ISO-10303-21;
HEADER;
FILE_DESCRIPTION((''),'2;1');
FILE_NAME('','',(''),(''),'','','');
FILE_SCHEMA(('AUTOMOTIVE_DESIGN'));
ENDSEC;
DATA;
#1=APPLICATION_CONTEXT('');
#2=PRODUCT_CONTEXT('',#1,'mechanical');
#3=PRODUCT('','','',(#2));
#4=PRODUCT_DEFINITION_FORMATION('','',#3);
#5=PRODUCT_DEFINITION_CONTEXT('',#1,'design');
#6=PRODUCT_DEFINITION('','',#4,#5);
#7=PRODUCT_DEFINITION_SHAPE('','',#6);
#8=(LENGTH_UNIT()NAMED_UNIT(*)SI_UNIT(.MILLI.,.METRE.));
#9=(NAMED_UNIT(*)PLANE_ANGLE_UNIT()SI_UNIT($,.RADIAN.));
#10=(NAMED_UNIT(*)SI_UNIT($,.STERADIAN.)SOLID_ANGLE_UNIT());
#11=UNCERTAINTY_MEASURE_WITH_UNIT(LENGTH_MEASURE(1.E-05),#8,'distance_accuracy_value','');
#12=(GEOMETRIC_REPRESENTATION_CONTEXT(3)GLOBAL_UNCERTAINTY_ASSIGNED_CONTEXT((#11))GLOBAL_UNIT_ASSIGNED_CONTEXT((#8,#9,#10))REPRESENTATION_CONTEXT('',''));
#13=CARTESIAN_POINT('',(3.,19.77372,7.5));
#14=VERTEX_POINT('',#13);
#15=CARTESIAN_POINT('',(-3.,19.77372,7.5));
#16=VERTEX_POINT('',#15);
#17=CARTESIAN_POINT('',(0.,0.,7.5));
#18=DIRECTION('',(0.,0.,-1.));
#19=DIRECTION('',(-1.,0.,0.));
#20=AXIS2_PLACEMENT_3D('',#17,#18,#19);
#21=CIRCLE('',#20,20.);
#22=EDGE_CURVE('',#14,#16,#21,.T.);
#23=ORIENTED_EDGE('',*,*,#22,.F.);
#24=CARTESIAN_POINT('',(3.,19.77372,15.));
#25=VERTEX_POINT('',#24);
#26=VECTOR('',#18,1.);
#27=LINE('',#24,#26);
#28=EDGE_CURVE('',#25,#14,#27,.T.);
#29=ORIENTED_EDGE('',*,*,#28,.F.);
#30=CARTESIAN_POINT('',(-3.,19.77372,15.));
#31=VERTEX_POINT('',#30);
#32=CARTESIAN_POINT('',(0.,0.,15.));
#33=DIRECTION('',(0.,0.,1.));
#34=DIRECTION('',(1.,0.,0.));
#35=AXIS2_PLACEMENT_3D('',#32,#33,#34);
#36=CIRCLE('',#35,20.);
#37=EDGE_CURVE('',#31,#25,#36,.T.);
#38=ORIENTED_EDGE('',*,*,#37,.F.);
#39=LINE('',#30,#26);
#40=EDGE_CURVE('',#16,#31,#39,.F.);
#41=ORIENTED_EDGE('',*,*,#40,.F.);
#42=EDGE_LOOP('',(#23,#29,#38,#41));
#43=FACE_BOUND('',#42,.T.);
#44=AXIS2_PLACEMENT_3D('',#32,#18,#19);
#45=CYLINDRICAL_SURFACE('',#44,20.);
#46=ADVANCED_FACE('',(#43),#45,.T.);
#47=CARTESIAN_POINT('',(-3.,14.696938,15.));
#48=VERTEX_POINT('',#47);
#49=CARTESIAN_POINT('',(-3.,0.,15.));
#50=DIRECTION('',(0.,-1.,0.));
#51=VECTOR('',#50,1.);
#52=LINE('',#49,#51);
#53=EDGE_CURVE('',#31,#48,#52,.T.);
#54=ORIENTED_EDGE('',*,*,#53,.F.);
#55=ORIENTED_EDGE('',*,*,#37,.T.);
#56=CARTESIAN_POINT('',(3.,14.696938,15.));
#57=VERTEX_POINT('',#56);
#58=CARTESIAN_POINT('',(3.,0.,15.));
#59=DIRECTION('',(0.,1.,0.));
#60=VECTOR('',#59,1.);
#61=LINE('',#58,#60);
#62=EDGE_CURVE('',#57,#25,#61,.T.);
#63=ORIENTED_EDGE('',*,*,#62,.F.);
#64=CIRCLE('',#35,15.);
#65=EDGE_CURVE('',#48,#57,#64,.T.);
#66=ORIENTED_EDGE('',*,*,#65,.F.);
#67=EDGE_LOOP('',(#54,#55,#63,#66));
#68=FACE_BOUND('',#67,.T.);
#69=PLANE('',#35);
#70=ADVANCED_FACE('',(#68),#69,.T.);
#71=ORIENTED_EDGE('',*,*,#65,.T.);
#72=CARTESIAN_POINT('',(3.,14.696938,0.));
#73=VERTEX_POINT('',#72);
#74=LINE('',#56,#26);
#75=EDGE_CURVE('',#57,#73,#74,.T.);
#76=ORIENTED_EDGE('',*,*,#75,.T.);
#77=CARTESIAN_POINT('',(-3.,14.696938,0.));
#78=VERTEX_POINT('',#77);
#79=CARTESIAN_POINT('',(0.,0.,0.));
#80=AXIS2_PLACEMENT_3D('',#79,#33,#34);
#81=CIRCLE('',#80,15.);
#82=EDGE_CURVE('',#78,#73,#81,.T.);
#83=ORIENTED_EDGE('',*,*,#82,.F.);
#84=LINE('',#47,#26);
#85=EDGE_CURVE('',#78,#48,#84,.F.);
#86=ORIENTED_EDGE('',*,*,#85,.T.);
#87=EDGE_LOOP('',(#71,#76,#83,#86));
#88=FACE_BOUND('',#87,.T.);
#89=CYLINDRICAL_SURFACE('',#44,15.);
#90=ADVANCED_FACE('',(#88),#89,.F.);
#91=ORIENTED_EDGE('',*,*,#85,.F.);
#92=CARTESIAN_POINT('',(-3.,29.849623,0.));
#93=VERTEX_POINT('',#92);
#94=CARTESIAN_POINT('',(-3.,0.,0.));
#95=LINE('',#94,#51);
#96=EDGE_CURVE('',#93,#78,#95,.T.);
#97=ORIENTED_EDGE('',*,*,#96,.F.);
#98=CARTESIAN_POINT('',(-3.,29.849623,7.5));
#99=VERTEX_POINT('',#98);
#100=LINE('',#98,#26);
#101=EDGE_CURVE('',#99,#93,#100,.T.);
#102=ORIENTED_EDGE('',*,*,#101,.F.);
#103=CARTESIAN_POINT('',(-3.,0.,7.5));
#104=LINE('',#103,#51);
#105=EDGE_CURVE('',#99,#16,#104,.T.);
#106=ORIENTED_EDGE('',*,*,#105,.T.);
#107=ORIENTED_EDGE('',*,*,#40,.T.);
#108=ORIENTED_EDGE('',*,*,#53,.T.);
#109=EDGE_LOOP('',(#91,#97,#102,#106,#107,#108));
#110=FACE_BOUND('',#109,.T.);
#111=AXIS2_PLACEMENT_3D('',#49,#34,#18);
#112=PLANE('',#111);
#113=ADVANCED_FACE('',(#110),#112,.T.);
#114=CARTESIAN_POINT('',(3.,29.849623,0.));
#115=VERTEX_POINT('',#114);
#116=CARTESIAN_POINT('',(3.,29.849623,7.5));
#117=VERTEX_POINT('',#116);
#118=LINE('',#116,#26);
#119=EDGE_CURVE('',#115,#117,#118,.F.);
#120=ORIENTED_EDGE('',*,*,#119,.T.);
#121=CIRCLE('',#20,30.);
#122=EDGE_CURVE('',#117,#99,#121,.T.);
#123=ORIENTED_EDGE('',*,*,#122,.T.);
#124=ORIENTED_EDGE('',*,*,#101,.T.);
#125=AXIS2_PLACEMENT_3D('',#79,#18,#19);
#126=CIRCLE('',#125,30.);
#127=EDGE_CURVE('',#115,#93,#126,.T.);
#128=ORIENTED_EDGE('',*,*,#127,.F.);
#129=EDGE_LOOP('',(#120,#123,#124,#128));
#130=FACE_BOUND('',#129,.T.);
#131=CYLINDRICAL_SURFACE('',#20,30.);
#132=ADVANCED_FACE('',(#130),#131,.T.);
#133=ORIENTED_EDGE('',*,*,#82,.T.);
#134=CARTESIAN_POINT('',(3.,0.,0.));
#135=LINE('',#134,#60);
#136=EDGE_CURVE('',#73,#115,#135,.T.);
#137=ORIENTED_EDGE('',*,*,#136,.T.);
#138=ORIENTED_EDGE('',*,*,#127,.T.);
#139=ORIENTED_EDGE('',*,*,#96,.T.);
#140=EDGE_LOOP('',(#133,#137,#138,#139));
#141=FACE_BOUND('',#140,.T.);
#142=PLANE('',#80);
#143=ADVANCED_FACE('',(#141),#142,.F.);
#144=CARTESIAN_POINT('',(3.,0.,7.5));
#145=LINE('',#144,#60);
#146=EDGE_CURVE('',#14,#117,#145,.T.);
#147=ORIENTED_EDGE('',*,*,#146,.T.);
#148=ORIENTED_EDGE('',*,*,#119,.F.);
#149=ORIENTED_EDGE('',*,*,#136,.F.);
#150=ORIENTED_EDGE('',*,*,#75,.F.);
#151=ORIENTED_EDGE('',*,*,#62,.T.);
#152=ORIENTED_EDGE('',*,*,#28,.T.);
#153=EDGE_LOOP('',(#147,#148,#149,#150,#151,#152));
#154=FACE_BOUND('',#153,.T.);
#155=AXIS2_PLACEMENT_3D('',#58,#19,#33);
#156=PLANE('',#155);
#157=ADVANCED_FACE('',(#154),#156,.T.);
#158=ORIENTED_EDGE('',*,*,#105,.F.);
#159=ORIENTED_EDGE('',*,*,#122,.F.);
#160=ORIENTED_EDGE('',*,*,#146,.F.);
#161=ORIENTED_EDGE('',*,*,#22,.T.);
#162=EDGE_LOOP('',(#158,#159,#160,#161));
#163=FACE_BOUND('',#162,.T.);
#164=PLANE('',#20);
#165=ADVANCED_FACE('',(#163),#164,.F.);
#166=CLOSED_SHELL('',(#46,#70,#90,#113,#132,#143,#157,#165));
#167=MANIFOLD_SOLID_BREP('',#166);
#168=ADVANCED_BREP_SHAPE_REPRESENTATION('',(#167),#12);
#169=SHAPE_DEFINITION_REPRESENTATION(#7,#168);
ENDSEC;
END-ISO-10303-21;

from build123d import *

# Parameters (mm, degrees)
SKETCH1_R           = 20
SKETCH1_R_2         = 15
BOSS_EXTRUDE1_DEPTH = 15
SKETCH2_R           = 30
SKETCH2_R_2         = 20
BOSS_EXTRUDE2_DEPTH = 7.5
SKETCH3_W           = 6
SKETCH3_H           = 34.327772866
CUT_EXTRUDE1_DEPTH  = 16


with BuildPart() as part:
    # Sketch1 → Boss-Extrude1 (new body)
    with BuildSketch(Plane.XY):
        Circle(SKETCH1_R)
        Circle(SKETCH1_R_2, mode=Mode.SUBTRACT)
    extrude(amount=BOSS_EXTRUDE1_DEPTH)

    # Sketch2 → Boss-Extrude2 (add)
    with BuildSketch(Plane(origin=(0, 0, 0), x_dir=(-1, 0, 0), z_dir=(0, 0, -1))):
        Circle(SKETCH2_R)
        Circle(SKETCH2_R_2, mode=Mode.SUBTRACT)
    extrude(amount=-BOSS_EXTRUDE2_DEPTH)

    # Sketch3 → Cut-Extrude1 (cut, through all)
    with BuildSketch(Plane.XY):
        with Locations((0, 17.163886433)):
            Rectangle(SKETCH3_W, SKETCH3_H)
    extrude(amount=CUT_EXTRUDE1_DEPTH, mode=Mode.SUBTRACT)


solid = part.part
